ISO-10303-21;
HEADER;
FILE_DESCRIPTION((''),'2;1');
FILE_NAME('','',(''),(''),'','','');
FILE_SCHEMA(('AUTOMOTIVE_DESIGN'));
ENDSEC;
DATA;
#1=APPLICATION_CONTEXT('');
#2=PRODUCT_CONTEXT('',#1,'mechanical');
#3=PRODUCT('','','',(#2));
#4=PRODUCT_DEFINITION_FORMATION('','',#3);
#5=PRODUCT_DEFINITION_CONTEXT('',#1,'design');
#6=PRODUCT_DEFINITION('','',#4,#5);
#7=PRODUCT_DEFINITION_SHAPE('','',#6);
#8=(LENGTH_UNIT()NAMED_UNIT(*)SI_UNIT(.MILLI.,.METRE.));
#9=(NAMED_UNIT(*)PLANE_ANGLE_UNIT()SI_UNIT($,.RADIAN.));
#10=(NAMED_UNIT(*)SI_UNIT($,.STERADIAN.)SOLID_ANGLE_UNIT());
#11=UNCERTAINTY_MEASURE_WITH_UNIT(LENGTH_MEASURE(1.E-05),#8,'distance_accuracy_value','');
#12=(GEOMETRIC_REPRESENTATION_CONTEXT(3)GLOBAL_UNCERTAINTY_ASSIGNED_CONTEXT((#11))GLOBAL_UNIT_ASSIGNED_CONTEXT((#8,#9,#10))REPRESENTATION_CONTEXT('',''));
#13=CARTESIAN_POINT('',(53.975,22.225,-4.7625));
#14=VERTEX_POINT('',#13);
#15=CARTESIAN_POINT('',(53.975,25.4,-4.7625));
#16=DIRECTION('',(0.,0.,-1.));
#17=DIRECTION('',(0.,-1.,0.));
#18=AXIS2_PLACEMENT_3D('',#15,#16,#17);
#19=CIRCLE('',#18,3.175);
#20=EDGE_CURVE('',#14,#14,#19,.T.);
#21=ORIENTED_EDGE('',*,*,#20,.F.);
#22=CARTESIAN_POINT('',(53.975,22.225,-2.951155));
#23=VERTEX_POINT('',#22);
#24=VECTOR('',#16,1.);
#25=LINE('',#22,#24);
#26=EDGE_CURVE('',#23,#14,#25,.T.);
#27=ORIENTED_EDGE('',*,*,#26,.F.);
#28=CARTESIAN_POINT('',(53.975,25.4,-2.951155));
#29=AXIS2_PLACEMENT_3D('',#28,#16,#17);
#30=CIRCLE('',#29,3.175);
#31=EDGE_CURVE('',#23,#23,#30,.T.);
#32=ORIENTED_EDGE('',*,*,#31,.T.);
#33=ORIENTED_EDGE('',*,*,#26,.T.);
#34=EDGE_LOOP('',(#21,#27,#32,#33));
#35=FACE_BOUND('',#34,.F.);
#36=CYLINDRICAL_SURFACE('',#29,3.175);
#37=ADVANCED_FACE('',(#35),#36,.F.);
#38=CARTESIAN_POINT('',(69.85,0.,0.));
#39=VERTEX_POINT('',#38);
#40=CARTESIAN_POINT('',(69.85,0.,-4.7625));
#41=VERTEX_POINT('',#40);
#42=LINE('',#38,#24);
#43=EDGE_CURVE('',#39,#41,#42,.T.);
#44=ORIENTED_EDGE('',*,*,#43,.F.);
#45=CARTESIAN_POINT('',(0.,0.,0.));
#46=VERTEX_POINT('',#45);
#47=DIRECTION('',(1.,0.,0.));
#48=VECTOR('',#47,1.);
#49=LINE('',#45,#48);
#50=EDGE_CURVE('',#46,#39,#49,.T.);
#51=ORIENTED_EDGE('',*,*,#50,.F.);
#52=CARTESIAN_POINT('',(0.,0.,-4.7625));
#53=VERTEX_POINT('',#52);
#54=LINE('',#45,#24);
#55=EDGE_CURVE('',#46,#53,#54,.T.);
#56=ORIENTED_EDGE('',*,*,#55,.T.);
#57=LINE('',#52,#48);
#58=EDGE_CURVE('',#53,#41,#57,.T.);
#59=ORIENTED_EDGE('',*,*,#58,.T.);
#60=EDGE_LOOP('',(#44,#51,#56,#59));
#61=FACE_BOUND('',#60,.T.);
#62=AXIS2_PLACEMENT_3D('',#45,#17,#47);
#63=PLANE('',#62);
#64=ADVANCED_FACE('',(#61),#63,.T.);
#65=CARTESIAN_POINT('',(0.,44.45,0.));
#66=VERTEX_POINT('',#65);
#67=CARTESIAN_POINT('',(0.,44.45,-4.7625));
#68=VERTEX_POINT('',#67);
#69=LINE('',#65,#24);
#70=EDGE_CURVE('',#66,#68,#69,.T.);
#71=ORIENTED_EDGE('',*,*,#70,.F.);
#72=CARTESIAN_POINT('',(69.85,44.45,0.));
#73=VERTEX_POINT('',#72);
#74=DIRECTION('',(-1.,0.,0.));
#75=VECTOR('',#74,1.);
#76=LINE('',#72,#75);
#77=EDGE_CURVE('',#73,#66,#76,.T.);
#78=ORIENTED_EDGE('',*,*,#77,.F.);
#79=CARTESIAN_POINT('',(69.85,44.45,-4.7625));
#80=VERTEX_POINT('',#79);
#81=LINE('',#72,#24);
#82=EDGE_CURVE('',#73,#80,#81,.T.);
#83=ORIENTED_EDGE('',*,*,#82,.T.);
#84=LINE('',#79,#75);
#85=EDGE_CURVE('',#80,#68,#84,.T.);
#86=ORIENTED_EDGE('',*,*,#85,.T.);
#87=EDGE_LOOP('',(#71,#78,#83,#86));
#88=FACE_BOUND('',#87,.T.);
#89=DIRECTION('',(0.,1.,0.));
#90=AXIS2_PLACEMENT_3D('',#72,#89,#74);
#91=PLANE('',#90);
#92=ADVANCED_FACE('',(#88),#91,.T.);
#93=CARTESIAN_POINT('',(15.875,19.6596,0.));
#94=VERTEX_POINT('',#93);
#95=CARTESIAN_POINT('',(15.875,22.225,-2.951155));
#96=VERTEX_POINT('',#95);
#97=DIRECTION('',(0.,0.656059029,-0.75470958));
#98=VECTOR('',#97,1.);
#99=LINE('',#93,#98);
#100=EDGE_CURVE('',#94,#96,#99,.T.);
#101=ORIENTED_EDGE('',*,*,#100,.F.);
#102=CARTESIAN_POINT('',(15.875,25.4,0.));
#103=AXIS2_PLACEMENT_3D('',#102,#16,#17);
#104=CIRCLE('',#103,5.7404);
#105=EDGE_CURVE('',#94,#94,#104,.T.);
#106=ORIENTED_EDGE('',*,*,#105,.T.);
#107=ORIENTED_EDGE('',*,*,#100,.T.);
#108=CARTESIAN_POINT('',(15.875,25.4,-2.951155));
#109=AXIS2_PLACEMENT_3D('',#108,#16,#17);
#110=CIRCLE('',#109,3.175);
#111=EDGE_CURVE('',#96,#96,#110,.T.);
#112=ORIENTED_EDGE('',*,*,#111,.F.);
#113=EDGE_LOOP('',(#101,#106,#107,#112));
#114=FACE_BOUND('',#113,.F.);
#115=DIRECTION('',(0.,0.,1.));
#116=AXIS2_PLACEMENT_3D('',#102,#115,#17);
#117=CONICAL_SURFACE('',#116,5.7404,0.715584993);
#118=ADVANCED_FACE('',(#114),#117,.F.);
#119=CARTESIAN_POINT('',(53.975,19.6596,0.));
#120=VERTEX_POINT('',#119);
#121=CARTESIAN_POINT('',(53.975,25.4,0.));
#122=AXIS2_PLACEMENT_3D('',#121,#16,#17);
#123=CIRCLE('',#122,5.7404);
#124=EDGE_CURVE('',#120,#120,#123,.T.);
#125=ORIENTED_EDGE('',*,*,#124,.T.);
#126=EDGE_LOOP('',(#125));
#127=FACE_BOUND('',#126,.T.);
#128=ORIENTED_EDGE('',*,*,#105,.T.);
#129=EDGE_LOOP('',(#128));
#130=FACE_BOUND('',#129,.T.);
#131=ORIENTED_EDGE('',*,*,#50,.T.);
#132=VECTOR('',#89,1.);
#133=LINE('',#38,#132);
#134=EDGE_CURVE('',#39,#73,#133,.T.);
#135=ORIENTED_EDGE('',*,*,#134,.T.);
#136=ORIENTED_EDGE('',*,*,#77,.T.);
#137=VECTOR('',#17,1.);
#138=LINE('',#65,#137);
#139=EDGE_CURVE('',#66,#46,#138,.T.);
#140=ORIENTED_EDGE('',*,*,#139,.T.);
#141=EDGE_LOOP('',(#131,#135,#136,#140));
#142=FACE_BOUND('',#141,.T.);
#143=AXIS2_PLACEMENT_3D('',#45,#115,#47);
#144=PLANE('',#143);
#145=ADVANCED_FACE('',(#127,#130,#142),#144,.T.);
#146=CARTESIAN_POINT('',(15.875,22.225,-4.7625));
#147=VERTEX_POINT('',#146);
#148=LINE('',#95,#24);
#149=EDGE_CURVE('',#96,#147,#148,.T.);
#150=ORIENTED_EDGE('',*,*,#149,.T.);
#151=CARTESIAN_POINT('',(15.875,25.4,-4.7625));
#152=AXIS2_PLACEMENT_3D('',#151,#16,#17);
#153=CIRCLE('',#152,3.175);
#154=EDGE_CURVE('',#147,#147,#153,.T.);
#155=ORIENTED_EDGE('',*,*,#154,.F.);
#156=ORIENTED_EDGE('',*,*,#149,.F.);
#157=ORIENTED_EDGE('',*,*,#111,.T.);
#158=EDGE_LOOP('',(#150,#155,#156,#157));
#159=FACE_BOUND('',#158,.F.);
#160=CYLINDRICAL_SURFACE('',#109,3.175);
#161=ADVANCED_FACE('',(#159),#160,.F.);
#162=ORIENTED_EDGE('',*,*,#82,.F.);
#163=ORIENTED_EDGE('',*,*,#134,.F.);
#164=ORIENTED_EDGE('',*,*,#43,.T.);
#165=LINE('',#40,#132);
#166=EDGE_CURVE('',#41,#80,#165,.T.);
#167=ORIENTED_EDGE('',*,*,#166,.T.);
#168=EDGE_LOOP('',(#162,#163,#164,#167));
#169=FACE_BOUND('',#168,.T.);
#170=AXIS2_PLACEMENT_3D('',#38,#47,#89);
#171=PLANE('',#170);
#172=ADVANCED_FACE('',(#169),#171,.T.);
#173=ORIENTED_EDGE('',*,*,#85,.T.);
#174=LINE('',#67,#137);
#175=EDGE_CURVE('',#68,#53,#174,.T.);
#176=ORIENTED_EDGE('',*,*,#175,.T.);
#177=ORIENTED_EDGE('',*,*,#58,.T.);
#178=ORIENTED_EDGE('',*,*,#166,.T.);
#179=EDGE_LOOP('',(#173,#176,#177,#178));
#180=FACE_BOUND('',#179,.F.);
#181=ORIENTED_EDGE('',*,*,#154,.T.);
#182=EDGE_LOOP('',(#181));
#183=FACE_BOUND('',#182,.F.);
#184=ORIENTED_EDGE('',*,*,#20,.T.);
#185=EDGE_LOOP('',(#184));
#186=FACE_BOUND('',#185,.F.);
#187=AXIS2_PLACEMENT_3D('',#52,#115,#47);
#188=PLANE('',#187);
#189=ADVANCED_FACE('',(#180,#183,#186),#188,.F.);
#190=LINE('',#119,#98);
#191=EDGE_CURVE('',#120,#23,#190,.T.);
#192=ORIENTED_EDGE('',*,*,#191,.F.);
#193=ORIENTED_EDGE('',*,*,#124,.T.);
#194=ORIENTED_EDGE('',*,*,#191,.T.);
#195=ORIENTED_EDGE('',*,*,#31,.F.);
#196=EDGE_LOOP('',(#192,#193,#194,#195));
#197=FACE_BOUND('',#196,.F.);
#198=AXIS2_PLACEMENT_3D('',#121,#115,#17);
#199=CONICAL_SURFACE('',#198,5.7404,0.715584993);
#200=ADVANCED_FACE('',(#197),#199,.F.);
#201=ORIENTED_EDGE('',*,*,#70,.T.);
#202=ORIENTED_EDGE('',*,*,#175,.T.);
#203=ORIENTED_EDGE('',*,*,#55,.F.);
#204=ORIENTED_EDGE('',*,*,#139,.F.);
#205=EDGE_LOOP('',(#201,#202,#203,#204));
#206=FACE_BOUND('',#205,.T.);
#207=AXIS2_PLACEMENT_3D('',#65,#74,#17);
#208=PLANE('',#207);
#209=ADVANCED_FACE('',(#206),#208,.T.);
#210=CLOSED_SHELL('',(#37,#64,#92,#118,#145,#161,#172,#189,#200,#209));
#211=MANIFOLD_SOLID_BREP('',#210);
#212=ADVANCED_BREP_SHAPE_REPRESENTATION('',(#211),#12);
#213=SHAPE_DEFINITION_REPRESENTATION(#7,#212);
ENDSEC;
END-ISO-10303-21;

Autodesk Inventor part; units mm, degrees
ref_plane "YZ Plane" through (0, 0, 0) normal (1, 0, 0) x (0, 1, 0)
ref_plane "XZ Plane" through (0, 0, 0) normal (0, 1, 0) x (-1, 0, 0)
ref_plane "XY Plane" through (0, 0, 0) normal (0, 0, 1) x (1, 0, 0)
sketch "Sketch1" plane through (0, 0, 0) normal (0, 0, 1) x (1, 0, 0)
  line L0 (0, 0) -> (69.85, 0)
  line L1 (69.85, 0) -> (69.85, 44.45)
  line L2 (69.85, 44.45) -> (0, 44.45)
  line L3 (0, 44.45) -> (0, 0)
  dimension "d0" = 69.85
  dimension "d1" = 44.45
extrude "Extrusion1" add sketch "Sketch1" against normal blind 4.7625
hole "Hole1" at (15.875, 25.4, 0) direction (0, 0, -1) diameter 6.35 end through all countersink diameter 11.4808 countersink angle 82
hole "Hole2" at (53.975, 25.4, 0) direction (0, 0, -1) diameter 6.35 end through all countersink diameter 11.4808 countersink angle 82
properties part number "VS-003 (JAW PLATE)" material "Steel, Alloy"
